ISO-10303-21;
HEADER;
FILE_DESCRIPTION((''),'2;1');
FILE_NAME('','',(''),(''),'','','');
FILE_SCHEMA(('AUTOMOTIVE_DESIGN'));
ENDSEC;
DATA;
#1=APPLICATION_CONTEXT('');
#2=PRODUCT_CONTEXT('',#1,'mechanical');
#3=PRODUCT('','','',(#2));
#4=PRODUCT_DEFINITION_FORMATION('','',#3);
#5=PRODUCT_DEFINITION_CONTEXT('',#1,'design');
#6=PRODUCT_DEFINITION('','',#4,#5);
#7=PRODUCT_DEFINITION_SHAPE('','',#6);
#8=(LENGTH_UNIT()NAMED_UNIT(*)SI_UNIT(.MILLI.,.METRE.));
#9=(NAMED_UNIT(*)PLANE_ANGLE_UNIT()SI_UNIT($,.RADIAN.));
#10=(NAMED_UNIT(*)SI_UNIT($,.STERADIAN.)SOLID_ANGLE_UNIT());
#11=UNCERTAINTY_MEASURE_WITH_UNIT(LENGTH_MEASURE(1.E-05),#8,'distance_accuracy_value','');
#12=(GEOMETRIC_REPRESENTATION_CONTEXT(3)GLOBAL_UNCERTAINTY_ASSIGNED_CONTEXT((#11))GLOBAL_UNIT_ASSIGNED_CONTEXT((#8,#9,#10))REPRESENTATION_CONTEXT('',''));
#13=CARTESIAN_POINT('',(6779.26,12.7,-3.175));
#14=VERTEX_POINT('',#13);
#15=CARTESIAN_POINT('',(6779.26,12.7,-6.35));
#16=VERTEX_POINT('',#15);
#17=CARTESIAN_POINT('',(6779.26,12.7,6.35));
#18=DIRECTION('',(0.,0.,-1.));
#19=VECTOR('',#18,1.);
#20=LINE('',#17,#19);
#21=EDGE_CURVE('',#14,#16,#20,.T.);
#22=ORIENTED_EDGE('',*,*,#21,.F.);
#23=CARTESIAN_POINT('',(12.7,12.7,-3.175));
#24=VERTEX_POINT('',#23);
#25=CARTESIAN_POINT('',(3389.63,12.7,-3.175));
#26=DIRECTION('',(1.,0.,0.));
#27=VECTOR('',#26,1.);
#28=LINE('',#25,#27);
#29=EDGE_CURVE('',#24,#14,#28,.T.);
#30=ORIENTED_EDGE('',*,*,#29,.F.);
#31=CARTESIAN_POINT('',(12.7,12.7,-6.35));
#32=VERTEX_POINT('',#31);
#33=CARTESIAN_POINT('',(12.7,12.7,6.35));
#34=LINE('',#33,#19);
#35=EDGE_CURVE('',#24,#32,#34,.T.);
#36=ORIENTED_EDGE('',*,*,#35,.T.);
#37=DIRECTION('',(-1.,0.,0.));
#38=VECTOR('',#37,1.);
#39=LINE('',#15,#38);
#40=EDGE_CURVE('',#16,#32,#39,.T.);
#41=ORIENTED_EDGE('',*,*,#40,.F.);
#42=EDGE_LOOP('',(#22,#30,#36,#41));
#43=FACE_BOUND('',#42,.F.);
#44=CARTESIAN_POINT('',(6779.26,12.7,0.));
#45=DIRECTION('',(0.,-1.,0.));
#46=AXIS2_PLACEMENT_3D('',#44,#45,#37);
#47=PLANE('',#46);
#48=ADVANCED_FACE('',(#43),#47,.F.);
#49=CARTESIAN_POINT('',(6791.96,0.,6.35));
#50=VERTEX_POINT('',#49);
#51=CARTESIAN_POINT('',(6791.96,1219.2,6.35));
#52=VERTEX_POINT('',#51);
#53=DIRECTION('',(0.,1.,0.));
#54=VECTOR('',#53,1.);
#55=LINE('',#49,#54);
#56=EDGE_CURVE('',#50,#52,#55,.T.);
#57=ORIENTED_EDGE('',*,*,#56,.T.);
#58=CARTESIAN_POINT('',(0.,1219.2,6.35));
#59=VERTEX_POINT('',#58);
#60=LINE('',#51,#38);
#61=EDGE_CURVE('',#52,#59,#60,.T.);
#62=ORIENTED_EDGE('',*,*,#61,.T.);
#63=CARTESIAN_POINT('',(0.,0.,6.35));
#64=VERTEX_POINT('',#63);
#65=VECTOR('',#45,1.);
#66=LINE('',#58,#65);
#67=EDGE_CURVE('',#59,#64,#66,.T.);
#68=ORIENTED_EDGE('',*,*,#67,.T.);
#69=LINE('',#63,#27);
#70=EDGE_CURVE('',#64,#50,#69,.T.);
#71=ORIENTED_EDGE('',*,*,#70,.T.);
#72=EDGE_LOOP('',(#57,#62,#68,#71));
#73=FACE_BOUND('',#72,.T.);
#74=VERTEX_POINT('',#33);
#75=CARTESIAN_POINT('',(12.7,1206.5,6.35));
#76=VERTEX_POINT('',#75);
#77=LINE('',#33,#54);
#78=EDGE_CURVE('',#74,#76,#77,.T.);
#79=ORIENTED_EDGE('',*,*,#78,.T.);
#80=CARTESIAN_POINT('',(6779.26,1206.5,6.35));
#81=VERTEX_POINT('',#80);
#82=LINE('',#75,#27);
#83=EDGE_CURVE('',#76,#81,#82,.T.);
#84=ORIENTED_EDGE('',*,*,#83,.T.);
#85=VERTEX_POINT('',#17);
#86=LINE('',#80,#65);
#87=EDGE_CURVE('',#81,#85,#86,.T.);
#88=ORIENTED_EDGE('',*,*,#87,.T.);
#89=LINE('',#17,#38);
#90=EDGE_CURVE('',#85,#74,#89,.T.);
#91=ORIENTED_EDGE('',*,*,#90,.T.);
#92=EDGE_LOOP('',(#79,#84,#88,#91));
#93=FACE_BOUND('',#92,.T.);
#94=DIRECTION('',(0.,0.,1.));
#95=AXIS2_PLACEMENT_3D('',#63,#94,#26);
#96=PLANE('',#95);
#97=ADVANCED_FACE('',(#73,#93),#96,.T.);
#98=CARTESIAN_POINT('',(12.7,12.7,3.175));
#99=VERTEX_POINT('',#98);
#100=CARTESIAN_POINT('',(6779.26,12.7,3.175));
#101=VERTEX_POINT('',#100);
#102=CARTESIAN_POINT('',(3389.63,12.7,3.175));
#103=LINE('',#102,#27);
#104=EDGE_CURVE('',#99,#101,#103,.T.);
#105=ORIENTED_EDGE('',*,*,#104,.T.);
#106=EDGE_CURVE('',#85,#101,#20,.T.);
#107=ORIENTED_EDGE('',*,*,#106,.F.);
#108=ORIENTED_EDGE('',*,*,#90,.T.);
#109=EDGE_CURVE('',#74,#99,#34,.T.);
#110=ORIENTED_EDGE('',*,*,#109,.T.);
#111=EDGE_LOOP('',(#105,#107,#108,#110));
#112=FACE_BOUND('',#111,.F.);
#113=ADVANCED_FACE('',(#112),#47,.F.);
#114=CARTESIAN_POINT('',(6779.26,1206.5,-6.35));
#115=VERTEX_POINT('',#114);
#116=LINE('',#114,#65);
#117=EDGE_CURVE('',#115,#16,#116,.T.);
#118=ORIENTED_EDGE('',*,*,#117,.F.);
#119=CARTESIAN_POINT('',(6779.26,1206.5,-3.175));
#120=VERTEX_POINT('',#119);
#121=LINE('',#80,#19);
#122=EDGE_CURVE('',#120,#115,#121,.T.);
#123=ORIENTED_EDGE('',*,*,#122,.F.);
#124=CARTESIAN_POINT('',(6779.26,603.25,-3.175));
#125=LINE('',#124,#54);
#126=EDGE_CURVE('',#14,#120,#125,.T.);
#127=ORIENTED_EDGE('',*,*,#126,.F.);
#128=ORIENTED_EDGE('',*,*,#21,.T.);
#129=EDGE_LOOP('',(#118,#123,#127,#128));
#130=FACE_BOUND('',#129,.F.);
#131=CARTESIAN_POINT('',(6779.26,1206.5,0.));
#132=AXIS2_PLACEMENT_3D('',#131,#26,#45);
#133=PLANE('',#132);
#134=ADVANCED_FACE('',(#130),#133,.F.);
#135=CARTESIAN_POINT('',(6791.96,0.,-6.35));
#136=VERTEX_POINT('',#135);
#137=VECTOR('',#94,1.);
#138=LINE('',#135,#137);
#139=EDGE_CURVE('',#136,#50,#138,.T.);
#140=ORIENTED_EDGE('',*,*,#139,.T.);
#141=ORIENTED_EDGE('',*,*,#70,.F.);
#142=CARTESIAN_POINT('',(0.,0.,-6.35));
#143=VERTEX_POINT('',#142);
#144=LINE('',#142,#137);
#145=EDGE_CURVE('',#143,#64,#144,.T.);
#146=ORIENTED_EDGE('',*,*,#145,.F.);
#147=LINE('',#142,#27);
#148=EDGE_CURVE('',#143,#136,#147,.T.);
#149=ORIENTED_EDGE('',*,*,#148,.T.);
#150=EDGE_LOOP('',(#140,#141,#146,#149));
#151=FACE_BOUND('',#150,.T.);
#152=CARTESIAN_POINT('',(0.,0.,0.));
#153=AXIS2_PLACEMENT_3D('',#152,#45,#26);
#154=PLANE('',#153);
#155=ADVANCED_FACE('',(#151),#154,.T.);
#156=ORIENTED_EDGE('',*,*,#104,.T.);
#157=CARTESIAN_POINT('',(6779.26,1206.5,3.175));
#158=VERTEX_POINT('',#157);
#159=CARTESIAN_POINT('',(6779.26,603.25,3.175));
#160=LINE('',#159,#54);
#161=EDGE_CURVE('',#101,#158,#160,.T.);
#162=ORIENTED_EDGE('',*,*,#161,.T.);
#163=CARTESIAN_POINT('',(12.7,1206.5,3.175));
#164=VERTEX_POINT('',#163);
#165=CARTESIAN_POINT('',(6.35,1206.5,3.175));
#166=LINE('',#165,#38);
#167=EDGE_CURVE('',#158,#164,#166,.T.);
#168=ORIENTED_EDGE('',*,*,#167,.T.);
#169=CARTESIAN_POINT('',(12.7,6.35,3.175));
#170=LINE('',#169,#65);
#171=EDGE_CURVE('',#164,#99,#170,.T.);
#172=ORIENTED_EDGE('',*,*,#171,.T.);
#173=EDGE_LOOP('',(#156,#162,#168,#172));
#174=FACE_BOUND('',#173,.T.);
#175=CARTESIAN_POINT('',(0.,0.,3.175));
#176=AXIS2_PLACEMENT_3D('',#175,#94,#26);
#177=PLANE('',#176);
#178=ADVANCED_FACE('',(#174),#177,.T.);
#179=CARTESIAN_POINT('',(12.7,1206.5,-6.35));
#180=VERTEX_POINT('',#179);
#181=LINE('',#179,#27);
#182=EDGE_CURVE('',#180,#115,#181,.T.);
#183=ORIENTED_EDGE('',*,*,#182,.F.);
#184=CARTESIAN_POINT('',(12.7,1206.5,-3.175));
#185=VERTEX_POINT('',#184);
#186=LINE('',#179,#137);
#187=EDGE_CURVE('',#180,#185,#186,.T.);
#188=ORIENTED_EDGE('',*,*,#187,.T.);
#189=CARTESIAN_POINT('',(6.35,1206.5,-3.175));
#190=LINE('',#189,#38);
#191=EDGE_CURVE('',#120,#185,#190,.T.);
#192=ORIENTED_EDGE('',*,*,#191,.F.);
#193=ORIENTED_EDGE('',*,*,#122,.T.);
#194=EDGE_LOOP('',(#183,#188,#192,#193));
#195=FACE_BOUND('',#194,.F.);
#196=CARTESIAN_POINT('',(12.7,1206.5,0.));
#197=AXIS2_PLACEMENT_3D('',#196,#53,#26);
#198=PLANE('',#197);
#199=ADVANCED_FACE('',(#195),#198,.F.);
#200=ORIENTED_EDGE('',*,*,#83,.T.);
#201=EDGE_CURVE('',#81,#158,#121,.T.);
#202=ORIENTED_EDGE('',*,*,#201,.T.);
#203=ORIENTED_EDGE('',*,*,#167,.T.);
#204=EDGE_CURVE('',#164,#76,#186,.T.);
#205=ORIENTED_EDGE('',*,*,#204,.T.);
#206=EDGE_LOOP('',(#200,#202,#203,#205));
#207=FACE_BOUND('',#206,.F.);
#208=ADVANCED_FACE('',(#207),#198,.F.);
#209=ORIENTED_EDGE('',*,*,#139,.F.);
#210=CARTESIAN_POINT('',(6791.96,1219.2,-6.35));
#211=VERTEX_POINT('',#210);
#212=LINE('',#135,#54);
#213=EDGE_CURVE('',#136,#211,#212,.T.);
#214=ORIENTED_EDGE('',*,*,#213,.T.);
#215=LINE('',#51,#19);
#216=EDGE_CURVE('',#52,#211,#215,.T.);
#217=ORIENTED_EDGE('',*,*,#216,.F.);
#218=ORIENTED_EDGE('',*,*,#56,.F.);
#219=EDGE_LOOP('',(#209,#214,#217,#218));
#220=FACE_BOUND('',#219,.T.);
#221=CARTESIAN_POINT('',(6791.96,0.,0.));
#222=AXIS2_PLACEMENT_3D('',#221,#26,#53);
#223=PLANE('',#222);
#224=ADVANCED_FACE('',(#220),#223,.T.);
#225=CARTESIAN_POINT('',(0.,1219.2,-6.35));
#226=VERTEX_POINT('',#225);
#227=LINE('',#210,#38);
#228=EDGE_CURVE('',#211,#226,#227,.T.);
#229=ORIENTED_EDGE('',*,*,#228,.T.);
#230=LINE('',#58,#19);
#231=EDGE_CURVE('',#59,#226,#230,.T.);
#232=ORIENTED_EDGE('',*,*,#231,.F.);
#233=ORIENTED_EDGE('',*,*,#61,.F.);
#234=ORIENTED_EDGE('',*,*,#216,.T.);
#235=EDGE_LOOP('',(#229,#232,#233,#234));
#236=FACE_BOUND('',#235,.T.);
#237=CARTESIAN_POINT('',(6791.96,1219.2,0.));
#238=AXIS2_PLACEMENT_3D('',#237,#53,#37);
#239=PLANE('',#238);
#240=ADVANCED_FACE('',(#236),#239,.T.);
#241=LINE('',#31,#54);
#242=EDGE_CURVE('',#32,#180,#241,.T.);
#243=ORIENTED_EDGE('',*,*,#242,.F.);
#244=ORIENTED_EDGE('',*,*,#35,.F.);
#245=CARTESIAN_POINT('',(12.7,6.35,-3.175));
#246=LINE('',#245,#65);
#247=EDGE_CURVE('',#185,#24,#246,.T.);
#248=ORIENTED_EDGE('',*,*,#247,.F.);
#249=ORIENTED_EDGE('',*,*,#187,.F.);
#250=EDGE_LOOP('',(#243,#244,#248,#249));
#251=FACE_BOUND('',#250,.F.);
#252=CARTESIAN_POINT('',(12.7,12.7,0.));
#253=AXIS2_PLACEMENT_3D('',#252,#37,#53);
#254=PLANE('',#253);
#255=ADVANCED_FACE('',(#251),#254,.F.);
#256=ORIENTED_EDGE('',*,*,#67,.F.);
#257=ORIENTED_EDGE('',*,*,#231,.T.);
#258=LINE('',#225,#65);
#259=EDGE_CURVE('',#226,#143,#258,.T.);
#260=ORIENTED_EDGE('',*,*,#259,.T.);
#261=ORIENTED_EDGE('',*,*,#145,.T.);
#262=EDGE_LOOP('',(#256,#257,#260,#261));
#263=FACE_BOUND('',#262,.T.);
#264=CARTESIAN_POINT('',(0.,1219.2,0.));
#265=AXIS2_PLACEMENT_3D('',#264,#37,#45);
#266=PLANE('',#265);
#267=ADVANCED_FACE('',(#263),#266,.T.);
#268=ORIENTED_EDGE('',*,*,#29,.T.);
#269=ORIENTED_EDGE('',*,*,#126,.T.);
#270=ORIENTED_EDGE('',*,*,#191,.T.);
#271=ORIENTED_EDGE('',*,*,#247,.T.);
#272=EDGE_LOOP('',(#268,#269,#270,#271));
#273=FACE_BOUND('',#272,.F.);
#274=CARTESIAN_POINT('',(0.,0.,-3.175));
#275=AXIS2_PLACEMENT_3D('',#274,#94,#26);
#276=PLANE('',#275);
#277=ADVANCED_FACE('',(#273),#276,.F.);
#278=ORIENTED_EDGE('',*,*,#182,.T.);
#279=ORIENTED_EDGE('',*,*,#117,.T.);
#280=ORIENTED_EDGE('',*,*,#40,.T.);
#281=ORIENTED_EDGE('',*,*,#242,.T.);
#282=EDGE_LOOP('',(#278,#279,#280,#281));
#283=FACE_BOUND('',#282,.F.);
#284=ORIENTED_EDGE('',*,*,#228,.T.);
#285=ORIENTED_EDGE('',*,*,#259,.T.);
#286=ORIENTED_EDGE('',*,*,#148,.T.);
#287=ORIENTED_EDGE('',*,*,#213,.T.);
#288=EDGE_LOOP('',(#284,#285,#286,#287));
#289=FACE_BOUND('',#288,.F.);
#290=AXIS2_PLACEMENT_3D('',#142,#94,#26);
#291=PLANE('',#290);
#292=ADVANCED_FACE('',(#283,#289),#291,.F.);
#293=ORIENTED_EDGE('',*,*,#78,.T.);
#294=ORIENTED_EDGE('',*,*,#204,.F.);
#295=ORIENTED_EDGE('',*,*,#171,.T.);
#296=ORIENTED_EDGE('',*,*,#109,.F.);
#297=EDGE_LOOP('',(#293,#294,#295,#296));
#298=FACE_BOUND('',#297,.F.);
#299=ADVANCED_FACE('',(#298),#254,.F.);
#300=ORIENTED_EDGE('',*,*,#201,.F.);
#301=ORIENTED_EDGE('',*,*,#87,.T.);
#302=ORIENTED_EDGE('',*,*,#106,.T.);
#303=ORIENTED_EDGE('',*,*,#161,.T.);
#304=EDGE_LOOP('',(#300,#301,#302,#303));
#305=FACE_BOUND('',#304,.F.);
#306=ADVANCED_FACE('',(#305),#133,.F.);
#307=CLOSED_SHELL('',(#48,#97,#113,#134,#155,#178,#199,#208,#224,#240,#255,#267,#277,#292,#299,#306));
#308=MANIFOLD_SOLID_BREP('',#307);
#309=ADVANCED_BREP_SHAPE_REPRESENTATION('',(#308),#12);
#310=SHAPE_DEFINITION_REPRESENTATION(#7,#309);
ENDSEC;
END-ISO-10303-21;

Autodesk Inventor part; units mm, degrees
ref_plane "YZ Plane" through (0, 0, 0) normal (1, 0, 0) x (0, 1, 0)
ref_plane "XZ Plane" through (0, 0, 0) normal (0, 1, 0) x (-1, 0, 0)
ref_plane "XY Plane" through (0, 0, 0) normal (0, 0, 1) x (1, 0, 0)
sketch "Sketch1" plane through (0, 0, 0) normal (0, 0, 1) x (1, 0, 0)
  line L0 (0, 0) -> (6791.96, 0)
  line L1 (6791.96, 0) -> (6791.96, 1219.2)
  line L2 (6791.96, 1219.2) -> (0, 1219.2)
  line L3 (0, 1219.2) -> (0, 0)
  line L4 (12.7, 1206.5) -> (6779.26, 1206.5)
  line L5 (6779.26, 1206.5) -> (6779.26, 12.7)
  line L6 (6779.26, 12.7) -> (12.7, 12.7)
  line L7 (12.7, 12.7) -> (12.7, 1206.5)
  dimension "d0" = 6791.96
  dimension "d1" = 1219.2
  dimension "d4" = 12.7
extrude "Extrusion1" add sketch "Sketch1" along normal mid plane 6.35 contours L3 L2 L1 L0 | L4 L5 L6 L7
extrude "Extrusion2" add sketch "Sketch1" along normal mid plane 12.7
properties part number "GE-12104"
